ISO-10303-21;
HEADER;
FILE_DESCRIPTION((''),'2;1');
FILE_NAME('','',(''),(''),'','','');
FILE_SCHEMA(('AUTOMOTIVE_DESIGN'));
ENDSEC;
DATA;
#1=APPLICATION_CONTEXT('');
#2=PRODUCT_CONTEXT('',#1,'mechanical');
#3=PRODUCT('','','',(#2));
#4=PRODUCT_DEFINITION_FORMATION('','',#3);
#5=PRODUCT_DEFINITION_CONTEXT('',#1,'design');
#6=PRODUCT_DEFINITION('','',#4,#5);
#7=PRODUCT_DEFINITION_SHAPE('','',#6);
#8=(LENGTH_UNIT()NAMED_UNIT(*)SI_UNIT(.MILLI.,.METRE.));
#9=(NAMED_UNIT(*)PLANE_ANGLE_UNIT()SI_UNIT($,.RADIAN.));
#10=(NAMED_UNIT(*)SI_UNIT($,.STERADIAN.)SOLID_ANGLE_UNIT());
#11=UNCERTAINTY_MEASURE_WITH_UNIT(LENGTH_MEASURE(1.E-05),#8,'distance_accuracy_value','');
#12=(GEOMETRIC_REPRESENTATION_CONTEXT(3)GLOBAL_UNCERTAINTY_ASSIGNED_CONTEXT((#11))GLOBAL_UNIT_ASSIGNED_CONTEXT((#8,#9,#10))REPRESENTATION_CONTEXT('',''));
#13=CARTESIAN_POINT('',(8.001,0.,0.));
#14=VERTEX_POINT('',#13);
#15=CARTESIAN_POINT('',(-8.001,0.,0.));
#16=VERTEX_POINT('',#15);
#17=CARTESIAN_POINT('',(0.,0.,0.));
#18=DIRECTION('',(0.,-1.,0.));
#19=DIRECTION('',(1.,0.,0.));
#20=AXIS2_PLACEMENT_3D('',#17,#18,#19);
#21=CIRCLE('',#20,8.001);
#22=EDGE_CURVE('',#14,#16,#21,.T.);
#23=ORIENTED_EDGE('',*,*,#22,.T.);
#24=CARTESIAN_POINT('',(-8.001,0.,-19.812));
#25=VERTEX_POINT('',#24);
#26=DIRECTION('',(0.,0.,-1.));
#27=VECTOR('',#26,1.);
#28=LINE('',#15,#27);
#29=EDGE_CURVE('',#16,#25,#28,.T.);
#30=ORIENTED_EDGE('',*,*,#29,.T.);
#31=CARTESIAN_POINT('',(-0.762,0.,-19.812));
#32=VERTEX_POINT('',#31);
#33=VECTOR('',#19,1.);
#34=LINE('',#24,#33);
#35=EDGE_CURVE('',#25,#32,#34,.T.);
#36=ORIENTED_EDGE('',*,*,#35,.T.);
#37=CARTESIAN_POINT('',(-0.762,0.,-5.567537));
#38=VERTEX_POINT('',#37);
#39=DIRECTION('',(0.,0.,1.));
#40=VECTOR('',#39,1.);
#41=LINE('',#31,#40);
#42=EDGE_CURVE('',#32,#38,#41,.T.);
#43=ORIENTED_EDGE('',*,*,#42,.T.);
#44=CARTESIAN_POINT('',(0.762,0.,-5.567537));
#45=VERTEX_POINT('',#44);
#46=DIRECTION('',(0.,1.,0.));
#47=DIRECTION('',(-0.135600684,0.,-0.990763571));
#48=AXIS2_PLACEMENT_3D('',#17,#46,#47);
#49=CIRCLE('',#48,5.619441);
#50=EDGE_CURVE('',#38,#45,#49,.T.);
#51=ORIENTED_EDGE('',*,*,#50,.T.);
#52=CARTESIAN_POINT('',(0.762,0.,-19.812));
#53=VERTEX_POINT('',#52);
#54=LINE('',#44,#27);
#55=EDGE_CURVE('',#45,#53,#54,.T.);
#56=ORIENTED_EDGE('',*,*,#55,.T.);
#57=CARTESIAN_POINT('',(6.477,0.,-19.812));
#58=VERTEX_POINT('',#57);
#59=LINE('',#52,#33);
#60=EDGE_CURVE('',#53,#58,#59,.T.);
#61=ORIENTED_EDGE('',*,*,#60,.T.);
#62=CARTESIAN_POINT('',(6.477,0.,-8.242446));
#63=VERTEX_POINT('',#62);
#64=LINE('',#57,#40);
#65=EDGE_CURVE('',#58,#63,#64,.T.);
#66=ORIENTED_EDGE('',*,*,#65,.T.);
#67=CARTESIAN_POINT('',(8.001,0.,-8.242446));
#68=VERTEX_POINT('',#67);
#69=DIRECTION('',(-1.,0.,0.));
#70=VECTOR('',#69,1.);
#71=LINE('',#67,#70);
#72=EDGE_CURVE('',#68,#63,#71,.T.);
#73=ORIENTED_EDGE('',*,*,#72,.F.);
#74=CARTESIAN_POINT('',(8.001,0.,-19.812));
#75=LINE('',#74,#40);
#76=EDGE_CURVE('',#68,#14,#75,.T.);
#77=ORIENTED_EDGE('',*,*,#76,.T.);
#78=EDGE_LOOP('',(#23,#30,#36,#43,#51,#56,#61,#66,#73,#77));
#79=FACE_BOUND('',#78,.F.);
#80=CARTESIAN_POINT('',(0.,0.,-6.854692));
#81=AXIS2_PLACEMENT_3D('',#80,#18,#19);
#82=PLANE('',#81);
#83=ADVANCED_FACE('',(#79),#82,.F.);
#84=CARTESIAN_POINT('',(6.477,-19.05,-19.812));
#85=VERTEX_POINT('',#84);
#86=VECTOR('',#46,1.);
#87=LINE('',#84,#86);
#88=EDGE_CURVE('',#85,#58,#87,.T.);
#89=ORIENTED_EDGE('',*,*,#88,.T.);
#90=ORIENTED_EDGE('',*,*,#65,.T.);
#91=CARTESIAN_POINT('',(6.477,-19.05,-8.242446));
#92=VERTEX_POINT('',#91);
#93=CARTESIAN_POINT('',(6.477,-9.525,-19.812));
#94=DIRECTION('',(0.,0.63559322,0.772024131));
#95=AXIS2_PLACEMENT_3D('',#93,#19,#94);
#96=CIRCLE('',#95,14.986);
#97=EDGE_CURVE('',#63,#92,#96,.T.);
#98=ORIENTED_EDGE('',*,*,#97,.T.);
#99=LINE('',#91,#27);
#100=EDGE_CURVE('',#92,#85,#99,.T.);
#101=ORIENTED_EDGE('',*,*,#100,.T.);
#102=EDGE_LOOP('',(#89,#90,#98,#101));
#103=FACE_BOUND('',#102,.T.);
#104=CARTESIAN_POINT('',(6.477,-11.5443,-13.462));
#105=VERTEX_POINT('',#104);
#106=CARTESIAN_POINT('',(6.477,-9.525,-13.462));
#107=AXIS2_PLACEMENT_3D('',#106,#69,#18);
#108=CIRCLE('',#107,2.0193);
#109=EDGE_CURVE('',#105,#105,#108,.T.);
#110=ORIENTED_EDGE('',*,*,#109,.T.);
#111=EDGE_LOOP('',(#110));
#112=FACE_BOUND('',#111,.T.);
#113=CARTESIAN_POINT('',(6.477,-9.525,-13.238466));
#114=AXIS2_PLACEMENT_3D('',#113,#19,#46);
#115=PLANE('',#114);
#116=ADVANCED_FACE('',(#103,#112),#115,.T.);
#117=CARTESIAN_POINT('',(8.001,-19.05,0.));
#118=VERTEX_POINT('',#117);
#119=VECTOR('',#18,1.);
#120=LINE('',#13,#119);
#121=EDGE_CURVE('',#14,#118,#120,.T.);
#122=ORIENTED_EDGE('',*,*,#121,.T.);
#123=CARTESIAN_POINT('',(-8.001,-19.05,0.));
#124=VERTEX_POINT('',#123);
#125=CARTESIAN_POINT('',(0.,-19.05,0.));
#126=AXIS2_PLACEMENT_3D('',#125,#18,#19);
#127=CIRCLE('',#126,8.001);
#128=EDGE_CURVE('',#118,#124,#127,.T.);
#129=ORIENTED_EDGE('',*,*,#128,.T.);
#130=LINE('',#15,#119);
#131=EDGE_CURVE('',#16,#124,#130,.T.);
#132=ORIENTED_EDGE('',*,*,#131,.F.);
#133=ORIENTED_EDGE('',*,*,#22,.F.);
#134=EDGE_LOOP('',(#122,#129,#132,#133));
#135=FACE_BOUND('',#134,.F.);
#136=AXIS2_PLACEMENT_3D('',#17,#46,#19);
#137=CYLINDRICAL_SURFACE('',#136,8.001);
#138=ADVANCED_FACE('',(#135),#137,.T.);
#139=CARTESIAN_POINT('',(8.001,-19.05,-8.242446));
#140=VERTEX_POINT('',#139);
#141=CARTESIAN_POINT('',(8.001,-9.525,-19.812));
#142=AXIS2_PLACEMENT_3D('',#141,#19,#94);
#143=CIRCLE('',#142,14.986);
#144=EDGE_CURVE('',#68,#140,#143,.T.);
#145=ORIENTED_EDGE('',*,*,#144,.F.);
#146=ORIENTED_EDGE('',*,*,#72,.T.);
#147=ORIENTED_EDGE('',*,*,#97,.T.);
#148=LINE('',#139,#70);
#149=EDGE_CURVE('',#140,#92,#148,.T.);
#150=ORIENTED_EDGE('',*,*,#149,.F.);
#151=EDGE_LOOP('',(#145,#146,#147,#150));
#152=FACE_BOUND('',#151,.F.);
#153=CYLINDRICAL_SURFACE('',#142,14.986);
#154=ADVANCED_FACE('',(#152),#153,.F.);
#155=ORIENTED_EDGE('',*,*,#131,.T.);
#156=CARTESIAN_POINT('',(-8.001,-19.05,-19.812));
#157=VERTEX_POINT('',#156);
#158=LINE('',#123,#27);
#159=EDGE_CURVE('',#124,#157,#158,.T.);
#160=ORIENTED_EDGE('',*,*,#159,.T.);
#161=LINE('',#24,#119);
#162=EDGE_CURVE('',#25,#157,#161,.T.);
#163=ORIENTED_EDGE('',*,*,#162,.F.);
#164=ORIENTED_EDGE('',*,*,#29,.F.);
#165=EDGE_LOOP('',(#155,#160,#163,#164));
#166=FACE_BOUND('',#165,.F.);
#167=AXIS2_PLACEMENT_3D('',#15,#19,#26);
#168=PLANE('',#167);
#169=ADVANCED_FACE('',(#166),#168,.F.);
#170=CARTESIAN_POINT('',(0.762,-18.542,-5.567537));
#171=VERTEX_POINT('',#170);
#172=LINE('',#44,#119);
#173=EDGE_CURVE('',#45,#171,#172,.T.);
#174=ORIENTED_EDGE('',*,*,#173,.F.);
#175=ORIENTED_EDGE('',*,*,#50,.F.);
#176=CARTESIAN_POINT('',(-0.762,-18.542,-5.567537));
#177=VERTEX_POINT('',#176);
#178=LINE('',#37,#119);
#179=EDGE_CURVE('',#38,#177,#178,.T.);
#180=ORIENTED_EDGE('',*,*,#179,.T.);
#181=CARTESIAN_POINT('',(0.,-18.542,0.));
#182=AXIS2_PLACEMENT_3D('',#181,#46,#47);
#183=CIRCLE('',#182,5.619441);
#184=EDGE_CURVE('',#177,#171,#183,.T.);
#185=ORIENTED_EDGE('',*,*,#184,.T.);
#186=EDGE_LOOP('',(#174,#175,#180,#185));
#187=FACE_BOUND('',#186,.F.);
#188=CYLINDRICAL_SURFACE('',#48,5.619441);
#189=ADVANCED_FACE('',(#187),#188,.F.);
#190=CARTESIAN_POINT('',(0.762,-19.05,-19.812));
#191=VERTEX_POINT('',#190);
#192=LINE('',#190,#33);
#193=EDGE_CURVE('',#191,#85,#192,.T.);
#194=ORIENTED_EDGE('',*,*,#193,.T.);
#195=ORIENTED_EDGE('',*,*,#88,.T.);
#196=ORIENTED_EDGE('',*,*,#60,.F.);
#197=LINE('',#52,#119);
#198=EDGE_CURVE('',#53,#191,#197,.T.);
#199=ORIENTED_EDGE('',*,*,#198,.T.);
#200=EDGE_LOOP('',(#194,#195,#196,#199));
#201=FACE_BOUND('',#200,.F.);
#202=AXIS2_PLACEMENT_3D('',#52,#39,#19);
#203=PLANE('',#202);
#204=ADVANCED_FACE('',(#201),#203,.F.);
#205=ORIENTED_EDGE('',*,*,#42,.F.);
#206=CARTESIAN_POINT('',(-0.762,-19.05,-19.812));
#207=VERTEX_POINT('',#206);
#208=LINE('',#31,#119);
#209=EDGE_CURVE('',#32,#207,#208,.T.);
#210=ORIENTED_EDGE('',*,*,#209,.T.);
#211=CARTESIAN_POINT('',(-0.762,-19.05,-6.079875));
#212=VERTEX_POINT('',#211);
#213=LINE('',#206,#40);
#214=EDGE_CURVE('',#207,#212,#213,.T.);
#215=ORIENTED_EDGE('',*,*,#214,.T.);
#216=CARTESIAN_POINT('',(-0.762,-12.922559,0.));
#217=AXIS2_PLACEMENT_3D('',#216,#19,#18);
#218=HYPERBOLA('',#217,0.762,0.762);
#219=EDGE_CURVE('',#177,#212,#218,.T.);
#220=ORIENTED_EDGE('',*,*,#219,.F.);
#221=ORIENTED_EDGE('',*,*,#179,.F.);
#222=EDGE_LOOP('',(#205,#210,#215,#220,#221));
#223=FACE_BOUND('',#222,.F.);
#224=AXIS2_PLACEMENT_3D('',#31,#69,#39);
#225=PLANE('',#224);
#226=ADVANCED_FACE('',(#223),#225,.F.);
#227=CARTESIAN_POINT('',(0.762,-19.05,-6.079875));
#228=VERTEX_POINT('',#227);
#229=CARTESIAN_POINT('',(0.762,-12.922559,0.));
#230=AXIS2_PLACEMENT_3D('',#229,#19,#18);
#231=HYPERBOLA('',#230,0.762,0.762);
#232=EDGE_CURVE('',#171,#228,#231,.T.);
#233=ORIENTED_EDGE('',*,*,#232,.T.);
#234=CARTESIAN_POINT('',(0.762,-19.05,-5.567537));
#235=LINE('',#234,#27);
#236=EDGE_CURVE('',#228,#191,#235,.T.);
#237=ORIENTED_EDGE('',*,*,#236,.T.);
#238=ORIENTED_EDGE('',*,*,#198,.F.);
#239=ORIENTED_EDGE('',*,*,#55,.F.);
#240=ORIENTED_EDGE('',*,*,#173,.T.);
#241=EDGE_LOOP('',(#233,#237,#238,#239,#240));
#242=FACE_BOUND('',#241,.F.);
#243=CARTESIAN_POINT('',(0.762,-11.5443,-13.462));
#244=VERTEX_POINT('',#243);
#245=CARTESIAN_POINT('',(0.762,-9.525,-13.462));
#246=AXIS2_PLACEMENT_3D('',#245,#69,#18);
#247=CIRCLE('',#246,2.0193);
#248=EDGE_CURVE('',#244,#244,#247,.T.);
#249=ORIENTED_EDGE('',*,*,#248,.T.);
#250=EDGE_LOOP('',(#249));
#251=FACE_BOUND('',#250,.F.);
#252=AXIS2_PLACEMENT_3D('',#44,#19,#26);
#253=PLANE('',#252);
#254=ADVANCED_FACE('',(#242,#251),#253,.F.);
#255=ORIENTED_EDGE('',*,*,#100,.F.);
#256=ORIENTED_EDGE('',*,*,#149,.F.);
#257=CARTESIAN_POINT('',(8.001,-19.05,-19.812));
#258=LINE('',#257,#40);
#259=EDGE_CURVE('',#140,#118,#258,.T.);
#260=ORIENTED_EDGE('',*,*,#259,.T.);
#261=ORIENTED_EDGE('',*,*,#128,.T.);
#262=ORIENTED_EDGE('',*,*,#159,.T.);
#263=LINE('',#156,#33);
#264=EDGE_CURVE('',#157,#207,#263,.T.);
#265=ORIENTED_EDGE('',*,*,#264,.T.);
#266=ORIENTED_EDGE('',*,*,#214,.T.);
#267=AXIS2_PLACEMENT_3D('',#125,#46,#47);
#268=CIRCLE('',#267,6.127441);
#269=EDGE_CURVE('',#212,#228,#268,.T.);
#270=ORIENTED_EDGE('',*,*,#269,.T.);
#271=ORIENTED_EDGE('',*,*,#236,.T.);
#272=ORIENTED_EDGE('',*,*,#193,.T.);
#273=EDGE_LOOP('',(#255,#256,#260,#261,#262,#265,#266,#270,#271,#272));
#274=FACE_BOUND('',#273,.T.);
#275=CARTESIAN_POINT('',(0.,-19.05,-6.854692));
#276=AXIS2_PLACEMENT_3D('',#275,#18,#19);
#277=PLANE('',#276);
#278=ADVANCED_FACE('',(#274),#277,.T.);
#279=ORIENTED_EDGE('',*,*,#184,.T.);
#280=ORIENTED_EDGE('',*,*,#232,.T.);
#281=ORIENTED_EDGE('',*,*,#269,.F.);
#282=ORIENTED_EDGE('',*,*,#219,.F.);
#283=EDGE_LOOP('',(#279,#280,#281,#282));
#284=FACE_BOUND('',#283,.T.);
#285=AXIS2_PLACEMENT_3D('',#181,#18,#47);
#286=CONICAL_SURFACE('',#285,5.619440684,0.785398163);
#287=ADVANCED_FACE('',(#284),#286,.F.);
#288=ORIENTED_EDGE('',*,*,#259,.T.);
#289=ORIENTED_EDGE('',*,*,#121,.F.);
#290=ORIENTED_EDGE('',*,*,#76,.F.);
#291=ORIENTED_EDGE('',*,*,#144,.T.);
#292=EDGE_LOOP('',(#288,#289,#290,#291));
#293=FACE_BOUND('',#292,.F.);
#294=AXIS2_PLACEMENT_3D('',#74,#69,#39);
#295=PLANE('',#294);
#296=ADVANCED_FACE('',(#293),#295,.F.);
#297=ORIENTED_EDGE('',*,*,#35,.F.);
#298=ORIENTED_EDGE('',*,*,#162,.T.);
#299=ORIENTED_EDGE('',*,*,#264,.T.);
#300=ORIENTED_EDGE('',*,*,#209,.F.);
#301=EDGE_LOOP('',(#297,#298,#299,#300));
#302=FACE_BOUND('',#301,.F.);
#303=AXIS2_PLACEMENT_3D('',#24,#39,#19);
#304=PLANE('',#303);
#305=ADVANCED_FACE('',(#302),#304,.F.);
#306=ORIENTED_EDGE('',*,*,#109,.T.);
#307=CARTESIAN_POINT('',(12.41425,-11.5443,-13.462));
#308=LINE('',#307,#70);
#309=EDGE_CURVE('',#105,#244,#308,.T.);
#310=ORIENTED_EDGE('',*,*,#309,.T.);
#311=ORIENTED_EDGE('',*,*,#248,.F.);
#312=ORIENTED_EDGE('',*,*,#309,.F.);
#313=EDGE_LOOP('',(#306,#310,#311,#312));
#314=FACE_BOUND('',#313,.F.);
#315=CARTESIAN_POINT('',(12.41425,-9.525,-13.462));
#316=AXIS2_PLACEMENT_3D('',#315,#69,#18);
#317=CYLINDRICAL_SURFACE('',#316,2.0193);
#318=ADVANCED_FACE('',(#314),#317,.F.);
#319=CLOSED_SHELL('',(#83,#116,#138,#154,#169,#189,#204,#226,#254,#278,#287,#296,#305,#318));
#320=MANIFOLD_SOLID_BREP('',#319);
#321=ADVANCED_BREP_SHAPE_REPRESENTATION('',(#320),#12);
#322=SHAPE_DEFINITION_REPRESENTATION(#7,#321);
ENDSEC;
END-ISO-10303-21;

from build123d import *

# Parameters (mm, degrees)
F1_DEPTH = 19.05
F2_SIZE  = 0.508
F4_DEPTH = 1.524
F6_D     = 4.0386
F6_DEPTH = 5.93725
F6_TIP   = 1.213317848


with BuildPart() as f1:
    # F0 (on Front) → F1 (new body)
    with BuildSketch(Plane.XZ):
        with BuildLine():
            Line((8.001, -19.812), (8.001, 0))
            ThreePointArc((8.001, 0), (0, 8.001), (-8.001, 0))
            Line((-8.001, 0), (-8.001, -19.812))
            Line((-8.001, -19.812), (-0.762, -19.812))
            Line((-0.762, -19.812), (-0.762, -5.5675371219))
            ThreePointArc((-0.762, -5.5675371219), (0, 5.6194406842), (0.762, -5.5675371219))
            Line((0.762, -5.5675371219), (0.762, -19.812))
            Line((0.762, -19.812), (8.001, -19.812))
        make_face()
    extrude(amount=F1_DEPTH)

    # F2
    f2_edges = [f1.edges().sort_by_distance(p)[0] for p in [
        (0, -19.05, 5.619441),
    ]]
    chamfer(f2_edges, length=F2_SIZE)

    # F3 (on face) → F4 (cut)
    with BuildSketch(Plane.YZ.offset(8.001)):
        with BuildLine():
            Line((0, -19.812), (0, -8.2424463785))
            ThreePointArc((0, -8.2424463785), (-9.525, -4.826), (-19.05, -8.2424463785))
            Line((-19.05, -8.2424463785), (-19.05, -19.812))
            Line((-19.05, -19.812), (0, -19.812))
        make_face()
    extrude(amount=-F4_DEPTH, mode=Mode.SUBTRACT)

    # F6
    with Locations(Plane.YZ.offset(6.477)):
        with Locations((-9.525, -13.462)):
            Hole(F6_D / 2, depth=F6_DEPTH)
            with Locations((0, 0, -(F6_DEPTH + F6_TIP / 2))):  # 118° drill point
                Cone(0, F6_D / 2, F6_TIP, mode=Mode.SUBTRACT)


solid = f1.part
